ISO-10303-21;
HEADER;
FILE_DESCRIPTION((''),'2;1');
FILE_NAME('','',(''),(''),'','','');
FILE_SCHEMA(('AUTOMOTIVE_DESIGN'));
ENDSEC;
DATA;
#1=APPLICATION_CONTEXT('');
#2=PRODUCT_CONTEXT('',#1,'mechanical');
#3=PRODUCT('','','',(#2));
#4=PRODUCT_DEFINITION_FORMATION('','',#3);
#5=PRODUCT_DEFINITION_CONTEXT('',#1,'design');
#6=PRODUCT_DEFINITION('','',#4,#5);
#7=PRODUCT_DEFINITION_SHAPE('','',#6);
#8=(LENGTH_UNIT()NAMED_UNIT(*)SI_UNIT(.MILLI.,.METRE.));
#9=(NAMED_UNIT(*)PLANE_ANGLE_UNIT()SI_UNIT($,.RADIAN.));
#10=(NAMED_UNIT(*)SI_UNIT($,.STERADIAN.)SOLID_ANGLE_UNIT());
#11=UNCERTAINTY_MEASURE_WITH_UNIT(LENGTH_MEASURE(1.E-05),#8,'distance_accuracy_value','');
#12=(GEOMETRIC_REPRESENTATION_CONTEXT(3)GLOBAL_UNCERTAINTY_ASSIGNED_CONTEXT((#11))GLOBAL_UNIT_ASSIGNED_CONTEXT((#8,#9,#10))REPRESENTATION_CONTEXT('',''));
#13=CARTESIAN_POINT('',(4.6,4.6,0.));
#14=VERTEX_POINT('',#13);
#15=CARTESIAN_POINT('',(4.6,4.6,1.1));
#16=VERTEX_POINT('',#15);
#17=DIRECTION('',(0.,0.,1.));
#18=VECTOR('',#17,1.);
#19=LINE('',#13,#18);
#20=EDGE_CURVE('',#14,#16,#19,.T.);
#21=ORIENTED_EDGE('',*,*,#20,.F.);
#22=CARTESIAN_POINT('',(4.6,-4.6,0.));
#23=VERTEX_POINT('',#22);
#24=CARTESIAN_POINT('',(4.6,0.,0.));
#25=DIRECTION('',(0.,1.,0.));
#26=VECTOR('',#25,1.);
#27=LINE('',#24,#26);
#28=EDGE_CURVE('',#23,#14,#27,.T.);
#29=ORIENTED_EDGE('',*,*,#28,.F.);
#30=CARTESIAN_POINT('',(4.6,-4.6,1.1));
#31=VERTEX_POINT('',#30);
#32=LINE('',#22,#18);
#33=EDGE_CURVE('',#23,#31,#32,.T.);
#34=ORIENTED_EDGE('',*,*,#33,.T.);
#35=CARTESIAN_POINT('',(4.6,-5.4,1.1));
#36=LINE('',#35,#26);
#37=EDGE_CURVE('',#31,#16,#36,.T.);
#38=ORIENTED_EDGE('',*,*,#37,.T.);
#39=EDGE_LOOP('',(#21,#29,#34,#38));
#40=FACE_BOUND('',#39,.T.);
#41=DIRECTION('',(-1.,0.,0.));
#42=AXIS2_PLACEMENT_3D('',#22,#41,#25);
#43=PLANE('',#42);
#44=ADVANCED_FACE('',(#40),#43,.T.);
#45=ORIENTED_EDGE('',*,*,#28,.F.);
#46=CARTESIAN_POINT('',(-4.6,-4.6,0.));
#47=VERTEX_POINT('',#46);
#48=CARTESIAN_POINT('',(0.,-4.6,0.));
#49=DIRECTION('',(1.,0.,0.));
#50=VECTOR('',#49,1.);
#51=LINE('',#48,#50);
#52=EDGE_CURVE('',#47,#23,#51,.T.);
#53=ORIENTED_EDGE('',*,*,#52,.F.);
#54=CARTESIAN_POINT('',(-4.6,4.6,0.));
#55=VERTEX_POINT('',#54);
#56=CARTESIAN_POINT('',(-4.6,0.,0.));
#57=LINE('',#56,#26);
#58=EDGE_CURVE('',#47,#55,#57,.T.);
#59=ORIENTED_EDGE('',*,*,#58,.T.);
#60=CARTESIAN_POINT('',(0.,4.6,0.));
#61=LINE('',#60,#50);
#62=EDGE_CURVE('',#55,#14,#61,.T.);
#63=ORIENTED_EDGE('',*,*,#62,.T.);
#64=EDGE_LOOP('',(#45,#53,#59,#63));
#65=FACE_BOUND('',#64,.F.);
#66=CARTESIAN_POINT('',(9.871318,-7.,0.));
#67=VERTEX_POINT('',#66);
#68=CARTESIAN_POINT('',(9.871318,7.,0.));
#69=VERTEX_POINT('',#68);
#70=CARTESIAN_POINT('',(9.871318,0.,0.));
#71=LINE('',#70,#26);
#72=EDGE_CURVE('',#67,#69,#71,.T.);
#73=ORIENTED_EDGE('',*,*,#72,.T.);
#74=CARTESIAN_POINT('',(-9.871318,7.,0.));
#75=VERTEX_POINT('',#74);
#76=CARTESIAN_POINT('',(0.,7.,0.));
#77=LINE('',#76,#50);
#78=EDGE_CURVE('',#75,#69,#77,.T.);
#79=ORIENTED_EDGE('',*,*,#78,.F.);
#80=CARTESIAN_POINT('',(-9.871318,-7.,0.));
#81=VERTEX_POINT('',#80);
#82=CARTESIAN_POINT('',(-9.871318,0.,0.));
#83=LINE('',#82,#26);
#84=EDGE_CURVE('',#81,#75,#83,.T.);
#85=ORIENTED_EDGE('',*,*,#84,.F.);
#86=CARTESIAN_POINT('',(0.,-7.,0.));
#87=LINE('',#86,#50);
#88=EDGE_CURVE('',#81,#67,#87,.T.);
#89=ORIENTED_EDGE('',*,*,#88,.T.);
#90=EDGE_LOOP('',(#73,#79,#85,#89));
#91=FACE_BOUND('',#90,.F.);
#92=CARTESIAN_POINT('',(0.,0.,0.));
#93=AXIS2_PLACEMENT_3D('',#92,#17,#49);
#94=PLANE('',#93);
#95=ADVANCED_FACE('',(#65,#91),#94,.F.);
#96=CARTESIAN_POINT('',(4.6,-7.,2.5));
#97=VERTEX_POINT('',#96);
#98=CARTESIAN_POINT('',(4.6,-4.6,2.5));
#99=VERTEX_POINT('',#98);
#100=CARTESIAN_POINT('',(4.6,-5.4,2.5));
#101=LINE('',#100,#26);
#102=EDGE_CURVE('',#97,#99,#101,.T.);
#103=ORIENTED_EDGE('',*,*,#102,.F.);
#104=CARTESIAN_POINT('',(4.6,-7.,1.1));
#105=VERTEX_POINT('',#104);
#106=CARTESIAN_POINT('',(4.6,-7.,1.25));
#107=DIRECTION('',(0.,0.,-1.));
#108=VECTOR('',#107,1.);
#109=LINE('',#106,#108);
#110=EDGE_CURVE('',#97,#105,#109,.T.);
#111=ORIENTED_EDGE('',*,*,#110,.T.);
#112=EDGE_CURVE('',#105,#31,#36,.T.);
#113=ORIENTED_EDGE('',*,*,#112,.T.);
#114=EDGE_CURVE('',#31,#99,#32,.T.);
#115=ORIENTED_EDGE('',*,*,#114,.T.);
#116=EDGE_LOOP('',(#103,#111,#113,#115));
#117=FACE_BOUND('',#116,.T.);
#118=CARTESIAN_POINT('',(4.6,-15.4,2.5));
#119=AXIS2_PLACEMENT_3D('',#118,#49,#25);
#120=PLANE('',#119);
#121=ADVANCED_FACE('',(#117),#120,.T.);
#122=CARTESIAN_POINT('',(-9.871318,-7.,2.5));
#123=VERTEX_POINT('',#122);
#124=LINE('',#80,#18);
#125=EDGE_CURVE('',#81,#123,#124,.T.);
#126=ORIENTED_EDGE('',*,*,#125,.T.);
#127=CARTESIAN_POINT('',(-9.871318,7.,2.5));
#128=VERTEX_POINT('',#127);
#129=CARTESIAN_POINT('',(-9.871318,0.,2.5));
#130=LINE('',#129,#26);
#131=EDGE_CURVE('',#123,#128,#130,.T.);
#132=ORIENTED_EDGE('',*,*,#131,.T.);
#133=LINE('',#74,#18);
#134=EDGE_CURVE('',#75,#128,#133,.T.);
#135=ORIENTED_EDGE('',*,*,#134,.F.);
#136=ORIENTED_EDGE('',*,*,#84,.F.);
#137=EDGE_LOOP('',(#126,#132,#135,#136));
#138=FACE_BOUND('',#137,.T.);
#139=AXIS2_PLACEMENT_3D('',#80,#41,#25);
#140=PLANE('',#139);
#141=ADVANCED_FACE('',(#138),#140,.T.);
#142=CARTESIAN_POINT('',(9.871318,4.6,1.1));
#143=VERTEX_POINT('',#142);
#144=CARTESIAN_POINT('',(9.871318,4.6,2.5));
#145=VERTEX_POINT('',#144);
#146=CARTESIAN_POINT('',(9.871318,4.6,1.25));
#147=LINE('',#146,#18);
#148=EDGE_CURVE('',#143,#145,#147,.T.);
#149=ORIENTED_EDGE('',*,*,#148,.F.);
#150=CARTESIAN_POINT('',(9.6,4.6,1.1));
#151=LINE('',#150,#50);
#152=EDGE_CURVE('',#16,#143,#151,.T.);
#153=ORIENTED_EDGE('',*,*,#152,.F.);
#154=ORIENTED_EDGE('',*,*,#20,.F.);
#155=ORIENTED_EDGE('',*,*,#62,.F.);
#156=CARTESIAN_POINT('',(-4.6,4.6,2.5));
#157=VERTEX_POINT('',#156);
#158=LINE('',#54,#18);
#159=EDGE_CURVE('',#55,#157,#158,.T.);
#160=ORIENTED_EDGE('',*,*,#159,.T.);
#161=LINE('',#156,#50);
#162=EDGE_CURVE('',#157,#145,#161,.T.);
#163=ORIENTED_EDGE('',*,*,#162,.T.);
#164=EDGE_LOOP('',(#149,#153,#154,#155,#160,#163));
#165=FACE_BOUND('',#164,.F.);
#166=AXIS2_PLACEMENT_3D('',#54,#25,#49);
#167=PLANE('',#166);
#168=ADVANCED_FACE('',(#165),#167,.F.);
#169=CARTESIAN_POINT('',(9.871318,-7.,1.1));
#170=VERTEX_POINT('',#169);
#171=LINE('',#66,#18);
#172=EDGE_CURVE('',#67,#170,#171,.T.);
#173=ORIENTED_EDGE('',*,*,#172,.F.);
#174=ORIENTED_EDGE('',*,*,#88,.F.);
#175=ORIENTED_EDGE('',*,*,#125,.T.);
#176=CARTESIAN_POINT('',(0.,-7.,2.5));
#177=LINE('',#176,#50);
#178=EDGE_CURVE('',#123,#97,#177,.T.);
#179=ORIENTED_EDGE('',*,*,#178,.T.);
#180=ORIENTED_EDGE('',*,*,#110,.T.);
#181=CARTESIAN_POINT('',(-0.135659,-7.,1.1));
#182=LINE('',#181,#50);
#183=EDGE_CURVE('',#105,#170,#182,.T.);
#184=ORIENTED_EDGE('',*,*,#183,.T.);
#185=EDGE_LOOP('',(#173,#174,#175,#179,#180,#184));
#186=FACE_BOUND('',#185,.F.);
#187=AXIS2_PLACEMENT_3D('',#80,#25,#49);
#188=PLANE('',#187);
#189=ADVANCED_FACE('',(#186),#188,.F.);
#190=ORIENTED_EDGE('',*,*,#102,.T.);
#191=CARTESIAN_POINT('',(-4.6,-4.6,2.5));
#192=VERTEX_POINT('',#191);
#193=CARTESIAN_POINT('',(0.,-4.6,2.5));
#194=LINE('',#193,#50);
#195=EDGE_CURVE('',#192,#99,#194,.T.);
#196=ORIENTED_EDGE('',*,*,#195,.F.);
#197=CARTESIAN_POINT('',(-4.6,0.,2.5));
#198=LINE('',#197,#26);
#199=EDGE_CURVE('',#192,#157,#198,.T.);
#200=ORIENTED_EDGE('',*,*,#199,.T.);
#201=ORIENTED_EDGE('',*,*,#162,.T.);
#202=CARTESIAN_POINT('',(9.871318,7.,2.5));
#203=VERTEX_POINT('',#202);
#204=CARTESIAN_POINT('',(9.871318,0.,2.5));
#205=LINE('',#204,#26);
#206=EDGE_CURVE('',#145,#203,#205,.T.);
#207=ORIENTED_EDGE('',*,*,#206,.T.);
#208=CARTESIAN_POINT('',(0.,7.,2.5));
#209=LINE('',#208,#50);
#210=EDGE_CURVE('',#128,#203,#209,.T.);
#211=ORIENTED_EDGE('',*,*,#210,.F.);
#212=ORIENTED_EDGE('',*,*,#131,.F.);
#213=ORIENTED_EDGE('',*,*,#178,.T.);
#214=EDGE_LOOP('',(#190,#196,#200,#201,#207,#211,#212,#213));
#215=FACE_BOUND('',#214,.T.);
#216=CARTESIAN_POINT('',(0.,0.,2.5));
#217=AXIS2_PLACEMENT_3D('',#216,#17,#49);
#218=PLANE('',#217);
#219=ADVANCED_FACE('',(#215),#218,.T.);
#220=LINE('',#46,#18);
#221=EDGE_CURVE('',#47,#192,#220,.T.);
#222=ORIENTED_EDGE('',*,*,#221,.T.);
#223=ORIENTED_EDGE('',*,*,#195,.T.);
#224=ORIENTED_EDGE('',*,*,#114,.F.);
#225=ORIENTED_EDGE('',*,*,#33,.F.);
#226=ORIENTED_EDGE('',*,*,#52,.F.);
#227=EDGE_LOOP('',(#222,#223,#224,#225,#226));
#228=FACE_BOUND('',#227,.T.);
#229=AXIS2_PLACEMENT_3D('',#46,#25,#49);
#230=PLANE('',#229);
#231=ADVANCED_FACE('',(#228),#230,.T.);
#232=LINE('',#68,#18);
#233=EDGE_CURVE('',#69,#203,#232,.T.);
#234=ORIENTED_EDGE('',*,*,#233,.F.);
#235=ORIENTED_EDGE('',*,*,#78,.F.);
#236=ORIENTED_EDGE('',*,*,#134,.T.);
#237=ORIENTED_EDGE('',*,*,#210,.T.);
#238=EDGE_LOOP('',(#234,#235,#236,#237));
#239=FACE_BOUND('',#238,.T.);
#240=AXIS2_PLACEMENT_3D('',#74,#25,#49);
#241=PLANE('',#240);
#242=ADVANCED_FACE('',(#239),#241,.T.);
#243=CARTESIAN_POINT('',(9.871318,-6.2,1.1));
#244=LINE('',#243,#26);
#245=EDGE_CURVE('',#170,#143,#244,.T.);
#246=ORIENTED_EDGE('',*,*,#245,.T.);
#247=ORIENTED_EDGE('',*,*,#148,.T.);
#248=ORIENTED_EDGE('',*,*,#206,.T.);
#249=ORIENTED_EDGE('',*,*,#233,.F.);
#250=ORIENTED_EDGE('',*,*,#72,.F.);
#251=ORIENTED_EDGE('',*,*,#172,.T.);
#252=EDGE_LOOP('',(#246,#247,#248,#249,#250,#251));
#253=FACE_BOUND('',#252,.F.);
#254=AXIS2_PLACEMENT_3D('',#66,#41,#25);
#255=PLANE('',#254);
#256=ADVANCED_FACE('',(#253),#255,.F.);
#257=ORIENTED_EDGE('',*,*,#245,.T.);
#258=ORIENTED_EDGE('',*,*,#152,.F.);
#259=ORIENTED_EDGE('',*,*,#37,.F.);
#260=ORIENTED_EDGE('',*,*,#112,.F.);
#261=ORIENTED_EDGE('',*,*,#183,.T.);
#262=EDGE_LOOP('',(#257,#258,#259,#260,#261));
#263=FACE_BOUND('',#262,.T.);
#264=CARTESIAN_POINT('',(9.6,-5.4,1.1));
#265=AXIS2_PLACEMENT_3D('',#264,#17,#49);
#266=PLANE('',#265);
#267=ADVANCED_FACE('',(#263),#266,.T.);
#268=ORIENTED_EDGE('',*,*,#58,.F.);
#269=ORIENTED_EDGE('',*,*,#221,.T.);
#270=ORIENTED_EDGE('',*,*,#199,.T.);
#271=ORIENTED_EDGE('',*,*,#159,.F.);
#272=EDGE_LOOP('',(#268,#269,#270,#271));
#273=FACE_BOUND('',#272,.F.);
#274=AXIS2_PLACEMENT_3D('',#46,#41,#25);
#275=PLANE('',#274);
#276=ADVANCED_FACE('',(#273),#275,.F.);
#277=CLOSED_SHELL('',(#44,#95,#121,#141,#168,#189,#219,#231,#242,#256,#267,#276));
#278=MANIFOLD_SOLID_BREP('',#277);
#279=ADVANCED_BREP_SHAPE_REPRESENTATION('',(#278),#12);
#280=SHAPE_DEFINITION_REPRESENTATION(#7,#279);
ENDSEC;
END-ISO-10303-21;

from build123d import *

# Parameters (mm, degrees)
F0_W     = 19.742636
F0_H     = 14
F0_W_2   = 9.2
F0_H_2   = 9.2
F1_DEPTH = 2.5
F2_W     = 10
F2_H     = 20
F3_DEPTH = 1.4


with BuildPart() as f1:
    # F0 (on Top) → F1 (new body)
    with BuildSketch(Plane.XY):
        Rectangle(F0_W, F0_H)
        Rectangle(F0_W_2, F0_H_2, mode=Mode.SUBTRACT)
    extrude(amount=F1_DEPTH)

    # F2 (on face) → F3 (cut)
    with BuildSketch(Plane.XY.offset(2.5)):
        with Locations((9.6, -5.4)):
            Rectangle(F2_W, F2_H)
    extrude(amount=-F3_DEPTH, mode=Mode.SUBTRACT)


solid = f1.part
